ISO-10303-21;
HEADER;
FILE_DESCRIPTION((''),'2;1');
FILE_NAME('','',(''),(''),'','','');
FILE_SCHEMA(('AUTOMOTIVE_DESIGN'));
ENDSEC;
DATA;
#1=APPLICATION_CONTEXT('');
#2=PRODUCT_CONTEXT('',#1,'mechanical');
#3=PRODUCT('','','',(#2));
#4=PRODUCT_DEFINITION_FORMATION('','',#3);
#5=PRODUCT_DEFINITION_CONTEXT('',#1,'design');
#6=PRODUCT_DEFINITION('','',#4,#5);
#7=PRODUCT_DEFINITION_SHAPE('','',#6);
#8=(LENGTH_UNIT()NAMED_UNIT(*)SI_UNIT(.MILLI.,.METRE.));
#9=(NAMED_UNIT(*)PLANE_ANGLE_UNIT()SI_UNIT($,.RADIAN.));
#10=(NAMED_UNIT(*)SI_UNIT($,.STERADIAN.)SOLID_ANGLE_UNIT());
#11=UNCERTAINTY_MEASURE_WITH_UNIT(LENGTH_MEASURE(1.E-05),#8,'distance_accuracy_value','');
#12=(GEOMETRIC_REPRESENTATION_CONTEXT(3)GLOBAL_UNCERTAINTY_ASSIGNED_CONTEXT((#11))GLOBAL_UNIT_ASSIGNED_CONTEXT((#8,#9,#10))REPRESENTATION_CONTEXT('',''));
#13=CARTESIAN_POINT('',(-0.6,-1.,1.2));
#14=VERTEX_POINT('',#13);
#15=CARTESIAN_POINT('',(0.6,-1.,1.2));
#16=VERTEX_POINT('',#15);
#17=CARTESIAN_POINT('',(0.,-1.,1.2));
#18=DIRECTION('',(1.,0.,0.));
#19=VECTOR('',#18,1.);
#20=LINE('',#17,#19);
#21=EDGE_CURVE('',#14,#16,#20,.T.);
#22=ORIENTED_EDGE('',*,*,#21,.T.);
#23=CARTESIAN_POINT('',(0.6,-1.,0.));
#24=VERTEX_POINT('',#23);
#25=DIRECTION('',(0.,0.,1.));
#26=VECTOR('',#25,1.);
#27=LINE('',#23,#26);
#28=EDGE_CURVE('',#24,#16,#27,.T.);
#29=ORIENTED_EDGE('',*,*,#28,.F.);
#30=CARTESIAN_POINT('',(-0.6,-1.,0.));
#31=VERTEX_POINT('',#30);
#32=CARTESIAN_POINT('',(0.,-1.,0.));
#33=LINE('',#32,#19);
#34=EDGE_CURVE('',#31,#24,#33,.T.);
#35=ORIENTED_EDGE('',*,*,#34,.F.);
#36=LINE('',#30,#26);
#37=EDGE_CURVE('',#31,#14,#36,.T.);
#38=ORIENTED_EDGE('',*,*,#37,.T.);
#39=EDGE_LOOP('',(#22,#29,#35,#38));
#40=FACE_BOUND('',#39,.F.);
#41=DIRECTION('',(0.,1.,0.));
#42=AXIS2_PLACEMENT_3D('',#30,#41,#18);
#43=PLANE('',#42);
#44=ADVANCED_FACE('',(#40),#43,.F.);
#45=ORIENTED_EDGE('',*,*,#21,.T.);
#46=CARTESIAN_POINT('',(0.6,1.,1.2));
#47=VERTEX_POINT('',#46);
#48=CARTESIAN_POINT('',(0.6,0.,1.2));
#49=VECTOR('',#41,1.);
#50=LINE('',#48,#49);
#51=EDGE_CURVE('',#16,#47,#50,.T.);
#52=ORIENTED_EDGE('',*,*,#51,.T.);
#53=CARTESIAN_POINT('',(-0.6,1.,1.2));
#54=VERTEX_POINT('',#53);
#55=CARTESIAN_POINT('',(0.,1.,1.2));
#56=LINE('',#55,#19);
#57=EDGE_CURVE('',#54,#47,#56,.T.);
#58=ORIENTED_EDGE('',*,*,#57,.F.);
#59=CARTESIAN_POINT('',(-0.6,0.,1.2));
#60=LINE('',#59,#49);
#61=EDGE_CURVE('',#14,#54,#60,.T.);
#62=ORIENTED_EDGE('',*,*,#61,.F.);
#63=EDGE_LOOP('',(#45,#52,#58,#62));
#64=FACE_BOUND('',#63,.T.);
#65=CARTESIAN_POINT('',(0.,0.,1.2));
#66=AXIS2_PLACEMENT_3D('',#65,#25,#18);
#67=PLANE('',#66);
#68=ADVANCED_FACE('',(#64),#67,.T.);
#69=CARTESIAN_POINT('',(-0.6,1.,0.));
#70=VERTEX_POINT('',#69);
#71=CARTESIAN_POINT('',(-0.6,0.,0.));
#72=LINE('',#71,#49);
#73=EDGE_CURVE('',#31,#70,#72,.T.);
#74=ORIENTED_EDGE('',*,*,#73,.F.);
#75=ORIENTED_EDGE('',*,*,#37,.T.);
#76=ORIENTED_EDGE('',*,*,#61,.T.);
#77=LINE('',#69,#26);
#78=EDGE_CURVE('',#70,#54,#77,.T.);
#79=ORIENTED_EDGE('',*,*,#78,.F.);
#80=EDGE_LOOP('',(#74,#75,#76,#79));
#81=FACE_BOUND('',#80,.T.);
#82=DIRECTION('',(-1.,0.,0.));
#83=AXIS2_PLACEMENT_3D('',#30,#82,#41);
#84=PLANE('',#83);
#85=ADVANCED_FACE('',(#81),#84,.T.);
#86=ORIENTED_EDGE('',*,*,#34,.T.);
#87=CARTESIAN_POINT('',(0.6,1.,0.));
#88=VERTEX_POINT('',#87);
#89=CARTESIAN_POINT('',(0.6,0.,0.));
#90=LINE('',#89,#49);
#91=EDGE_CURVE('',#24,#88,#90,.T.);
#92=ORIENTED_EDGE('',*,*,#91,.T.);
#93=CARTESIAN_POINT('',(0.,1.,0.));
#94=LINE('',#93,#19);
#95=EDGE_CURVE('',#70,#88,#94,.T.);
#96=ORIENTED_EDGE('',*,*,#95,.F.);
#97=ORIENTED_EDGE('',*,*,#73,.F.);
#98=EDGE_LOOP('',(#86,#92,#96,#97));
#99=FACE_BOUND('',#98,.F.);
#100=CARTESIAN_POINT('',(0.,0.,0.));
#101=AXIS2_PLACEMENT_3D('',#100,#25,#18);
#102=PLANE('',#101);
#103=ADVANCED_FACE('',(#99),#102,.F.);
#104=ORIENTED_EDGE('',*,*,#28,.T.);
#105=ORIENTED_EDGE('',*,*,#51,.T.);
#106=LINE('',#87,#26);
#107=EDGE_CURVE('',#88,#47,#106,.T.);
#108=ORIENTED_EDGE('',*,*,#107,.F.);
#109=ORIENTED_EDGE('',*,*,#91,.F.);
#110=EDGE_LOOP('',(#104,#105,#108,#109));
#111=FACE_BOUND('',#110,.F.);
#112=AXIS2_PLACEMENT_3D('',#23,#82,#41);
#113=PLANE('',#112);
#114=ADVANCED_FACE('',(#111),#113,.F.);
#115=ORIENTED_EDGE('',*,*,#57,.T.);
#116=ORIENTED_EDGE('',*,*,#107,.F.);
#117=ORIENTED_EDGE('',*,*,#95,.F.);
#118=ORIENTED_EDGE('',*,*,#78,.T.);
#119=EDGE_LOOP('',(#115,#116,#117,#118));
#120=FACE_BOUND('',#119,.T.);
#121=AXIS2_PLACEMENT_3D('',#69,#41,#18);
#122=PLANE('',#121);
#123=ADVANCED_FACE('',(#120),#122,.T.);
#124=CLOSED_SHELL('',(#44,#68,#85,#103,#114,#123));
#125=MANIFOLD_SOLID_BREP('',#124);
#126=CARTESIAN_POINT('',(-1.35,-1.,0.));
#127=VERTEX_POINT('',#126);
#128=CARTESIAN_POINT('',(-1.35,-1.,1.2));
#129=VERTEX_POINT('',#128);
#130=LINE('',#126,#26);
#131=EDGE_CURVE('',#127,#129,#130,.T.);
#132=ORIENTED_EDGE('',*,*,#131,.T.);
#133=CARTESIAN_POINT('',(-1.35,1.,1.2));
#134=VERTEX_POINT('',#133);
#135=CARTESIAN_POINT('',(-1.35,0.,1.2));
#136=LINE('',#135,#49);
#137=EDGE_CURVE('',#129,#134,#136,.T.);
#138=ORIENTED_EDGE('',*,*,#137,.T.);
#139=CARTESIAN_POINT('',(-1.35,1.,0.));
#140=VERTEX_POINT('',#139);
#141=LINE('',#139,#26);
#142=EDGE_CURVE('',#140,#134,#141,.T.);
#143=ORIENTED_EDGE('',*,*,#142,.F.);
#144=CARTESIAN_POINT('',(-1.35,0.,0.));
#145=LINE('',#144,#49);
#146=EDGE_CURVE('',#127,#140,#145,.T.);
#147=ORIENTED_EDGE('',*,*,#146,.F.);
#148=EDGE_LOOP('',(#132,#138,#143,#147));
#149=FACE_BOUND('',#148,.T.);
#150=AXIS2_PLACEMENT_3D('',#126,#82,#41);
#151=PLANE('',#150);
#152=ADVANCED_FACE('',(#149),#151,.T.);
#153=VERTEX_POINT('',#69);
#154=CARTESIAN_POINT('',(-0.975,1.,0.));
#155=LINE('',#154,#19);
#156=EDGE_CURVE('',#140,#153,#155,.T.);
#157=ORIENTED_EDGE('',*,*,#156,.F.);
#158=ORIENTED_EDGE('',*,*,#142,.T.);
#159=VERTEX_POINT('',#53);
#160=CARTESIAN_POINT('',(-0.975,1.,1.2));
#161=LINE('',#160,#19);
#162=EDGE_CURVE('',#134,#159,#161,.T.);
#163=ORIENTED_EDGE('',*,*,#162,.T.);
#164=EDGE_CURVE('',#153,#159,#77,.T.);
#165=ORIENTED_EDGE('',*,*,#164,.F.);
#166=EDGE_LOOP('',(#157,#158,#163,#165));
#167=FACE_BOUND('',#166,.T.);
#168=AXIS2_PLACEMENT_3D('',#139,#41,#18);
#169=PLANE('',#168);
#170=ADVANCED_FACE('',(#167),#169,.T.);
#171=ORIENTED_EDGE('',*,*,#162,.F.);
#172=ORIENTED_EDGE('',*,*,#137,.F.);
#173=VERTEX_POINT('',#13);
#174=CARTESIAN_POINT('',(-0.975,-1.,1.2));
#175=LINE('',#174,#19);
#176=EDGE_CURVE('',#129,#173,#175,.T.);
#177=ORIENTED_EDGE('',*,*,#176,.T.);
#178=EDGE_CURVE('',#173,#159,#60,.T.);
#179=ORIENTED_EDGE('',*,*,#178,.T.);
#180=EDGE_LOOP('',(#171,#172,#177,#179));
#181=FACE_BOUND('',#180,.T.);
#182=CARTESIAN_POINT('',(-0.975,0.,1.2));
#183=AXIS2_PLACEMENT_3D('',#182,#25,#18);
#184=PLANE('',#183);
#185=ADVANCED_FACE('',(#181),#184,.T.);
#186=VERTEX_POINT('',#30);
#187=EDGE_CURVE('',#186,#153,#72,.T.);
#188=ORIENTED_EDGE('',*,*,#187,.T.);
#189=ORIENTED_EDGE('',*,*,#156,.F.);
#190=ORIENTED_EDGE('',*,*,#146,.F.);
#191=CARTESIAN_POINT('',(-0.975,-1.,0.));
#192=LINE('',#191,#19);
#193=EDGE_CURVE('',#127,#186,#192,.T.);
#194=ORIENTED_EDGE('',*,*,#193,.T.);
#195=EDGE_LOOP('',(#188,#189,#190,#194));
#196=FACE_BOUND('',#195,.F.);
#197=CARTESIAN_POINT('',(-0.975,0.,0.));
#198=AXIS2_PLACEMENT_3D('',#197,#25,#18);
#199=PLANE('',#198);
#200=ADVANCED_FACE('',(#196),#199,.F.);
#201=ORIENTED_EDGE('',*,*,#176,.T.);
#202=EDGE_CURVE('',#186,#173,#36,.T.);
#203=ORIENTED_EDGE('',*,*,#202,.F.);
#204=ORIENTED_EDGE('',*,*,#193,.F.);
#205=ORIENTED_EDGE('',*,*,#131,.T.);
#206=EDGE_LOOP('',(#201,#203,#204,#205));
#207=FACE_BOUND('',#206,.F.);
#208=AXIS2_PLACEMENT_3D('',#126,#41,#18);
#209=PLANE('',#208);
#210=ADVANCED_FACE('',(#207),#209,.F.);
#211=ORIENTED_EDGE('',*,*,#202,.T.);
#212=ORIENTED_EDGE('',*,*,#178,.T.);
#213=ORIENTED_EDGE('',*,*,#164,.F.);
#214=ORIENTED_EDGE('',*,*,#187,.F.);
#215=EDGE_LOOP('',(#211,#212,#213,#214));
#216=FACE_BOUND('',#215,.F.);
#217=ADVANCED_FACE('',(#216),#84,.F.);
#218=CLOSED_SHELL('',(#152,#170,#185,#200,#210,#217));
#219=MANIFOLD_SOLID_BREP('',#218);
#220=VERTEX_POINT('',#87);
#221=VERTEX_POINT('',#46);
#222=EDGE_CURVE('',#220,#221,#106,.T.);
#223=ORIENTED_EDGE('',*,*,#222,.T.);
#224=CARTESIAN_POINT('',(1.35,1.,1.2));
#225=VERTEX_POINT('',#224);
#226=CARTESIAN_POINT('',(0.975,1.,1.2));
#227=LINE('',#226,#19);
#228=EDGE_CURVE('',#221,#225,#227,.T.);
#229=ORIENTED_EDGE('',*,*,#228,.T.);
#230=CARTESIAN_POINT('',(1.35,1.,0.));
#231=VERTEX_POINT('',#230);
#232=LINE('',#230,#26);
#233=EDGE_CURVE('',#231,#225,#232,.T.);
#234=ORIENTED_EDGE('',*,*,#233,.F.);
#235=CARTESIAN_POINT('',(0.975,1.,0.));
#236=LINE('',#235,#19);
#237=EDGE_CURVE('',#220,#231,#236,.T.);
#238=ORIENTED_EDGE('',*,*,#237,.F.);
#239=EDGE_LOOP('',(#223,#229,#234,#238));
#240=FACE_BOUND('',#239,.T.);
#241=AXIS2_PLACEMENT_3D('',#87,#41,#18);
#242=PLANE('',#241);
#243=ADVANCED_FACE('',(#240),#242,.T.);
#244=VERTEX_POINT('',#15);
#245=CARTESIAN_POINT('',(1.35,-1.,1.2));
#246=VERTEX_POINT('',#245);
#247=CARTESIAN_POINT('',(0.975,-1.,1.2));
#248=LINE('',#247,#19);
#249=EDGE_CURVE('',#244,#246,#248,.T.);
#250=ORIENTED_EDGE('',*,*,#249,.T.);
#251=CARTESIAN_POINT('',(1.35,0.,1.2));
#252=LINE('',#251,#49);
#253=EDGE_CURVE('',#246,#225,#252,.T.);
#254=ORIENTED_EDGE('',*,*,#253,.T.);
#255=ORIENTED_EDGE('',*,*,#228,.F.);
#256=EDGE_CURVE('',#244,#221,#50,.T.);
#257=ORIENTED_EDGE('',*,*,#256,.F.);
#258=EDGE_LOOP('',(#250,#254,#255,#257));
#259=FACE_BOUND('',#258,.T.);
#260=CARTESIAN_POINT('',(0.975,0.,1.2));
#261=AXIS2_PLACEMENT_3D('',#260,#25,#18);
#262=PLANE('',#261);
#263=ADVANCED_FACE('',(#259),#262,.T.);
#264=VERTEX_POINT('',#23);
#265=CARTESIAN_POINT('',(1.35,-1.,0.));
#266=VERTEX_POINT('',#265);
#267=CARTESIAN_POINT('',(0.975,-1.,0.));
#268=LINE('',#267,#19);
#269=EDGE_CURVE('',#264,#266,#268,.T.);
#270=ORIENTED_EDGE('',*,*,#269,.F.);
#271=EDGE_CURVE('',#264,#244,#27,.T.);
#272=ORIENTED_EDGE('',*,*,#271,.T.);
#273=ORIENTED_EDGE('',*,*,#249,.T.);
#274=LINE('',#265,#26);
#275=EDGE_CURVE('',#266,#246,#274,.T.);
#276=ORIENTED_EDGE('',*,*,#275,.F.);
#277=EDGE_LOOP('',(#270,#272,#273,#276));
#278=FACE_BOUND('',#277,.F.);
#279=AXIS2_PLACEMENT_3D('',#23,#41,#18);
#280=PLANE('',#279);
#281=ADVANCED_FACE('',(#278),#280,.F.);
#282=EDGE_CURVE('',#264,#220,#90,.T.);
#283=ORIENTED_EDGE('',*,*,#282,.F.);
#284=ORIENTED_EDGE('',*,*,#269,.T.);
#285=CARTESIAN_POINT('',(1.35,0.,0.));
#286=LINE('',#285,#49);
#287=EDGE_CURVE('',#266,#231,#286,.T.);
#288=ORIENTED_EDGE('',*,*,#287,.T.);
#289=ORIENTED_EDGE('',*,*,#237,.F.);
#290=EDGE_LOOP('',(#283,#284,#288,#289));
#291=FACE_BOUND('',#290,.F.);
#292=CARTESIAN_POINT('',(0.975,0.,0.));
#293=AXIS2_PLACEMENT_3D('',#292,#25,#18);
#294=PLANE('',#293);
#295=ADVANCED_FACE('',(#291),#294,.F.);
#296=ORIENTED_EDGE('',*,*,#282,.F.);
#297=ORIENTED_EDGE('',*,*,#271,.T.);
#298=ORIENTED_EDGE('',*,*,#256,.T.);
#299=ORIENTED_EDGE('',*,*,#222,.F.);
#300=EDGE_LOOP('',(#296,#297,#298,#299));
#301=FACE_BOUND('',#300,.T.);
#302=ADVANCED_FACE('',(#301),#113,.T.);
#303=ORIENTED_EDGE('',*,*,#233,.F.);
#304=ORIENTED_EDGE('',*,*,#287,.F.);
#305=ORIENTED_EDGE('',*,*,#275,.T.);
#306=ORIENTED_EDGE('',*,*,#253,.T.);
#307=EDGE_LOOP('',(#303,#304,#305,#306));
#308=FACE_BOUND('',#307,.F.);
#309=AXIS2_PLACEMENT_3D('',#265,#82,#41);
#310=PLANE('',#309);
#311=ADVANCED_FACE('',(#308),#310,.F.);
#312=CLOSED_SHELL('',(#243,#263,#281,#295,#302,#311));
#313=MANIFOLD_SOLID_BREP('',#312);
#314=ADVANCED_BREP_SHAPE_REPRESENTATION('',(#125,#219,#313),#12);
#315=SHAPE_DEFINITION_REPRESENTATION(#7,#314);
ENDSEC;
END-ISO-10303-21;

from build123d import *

# Parameters (mm, degrees)
F0_W     = 1.2
F0_H     = 2
F1_DEPTH = 1.2
F2_W     = 0.75
F2_H     = 2
F3_DEPTH = 1.2


with BuildPart() as f1:
    # F0 (on Top) → F1 (new body)
    with BuildSketch(Plane.XY):
        Rectangle(F0_W, F0_H)
    extrude(amount=F1_DEPTH)


with BuildPart() as f3:
    # F2 (on Top) → F3 (new body)
    with BuildSketch(Plane.XY):
        with Locations((-0.975, 0)):
            Rectangle(F2_W, F2_H)
        with Locations((0.975, 0)):
            Rectangle(F2_W, F2_H)
    extrude(amount=F3_DEPTH)


solid = Compound([f1.part, f3.part])
